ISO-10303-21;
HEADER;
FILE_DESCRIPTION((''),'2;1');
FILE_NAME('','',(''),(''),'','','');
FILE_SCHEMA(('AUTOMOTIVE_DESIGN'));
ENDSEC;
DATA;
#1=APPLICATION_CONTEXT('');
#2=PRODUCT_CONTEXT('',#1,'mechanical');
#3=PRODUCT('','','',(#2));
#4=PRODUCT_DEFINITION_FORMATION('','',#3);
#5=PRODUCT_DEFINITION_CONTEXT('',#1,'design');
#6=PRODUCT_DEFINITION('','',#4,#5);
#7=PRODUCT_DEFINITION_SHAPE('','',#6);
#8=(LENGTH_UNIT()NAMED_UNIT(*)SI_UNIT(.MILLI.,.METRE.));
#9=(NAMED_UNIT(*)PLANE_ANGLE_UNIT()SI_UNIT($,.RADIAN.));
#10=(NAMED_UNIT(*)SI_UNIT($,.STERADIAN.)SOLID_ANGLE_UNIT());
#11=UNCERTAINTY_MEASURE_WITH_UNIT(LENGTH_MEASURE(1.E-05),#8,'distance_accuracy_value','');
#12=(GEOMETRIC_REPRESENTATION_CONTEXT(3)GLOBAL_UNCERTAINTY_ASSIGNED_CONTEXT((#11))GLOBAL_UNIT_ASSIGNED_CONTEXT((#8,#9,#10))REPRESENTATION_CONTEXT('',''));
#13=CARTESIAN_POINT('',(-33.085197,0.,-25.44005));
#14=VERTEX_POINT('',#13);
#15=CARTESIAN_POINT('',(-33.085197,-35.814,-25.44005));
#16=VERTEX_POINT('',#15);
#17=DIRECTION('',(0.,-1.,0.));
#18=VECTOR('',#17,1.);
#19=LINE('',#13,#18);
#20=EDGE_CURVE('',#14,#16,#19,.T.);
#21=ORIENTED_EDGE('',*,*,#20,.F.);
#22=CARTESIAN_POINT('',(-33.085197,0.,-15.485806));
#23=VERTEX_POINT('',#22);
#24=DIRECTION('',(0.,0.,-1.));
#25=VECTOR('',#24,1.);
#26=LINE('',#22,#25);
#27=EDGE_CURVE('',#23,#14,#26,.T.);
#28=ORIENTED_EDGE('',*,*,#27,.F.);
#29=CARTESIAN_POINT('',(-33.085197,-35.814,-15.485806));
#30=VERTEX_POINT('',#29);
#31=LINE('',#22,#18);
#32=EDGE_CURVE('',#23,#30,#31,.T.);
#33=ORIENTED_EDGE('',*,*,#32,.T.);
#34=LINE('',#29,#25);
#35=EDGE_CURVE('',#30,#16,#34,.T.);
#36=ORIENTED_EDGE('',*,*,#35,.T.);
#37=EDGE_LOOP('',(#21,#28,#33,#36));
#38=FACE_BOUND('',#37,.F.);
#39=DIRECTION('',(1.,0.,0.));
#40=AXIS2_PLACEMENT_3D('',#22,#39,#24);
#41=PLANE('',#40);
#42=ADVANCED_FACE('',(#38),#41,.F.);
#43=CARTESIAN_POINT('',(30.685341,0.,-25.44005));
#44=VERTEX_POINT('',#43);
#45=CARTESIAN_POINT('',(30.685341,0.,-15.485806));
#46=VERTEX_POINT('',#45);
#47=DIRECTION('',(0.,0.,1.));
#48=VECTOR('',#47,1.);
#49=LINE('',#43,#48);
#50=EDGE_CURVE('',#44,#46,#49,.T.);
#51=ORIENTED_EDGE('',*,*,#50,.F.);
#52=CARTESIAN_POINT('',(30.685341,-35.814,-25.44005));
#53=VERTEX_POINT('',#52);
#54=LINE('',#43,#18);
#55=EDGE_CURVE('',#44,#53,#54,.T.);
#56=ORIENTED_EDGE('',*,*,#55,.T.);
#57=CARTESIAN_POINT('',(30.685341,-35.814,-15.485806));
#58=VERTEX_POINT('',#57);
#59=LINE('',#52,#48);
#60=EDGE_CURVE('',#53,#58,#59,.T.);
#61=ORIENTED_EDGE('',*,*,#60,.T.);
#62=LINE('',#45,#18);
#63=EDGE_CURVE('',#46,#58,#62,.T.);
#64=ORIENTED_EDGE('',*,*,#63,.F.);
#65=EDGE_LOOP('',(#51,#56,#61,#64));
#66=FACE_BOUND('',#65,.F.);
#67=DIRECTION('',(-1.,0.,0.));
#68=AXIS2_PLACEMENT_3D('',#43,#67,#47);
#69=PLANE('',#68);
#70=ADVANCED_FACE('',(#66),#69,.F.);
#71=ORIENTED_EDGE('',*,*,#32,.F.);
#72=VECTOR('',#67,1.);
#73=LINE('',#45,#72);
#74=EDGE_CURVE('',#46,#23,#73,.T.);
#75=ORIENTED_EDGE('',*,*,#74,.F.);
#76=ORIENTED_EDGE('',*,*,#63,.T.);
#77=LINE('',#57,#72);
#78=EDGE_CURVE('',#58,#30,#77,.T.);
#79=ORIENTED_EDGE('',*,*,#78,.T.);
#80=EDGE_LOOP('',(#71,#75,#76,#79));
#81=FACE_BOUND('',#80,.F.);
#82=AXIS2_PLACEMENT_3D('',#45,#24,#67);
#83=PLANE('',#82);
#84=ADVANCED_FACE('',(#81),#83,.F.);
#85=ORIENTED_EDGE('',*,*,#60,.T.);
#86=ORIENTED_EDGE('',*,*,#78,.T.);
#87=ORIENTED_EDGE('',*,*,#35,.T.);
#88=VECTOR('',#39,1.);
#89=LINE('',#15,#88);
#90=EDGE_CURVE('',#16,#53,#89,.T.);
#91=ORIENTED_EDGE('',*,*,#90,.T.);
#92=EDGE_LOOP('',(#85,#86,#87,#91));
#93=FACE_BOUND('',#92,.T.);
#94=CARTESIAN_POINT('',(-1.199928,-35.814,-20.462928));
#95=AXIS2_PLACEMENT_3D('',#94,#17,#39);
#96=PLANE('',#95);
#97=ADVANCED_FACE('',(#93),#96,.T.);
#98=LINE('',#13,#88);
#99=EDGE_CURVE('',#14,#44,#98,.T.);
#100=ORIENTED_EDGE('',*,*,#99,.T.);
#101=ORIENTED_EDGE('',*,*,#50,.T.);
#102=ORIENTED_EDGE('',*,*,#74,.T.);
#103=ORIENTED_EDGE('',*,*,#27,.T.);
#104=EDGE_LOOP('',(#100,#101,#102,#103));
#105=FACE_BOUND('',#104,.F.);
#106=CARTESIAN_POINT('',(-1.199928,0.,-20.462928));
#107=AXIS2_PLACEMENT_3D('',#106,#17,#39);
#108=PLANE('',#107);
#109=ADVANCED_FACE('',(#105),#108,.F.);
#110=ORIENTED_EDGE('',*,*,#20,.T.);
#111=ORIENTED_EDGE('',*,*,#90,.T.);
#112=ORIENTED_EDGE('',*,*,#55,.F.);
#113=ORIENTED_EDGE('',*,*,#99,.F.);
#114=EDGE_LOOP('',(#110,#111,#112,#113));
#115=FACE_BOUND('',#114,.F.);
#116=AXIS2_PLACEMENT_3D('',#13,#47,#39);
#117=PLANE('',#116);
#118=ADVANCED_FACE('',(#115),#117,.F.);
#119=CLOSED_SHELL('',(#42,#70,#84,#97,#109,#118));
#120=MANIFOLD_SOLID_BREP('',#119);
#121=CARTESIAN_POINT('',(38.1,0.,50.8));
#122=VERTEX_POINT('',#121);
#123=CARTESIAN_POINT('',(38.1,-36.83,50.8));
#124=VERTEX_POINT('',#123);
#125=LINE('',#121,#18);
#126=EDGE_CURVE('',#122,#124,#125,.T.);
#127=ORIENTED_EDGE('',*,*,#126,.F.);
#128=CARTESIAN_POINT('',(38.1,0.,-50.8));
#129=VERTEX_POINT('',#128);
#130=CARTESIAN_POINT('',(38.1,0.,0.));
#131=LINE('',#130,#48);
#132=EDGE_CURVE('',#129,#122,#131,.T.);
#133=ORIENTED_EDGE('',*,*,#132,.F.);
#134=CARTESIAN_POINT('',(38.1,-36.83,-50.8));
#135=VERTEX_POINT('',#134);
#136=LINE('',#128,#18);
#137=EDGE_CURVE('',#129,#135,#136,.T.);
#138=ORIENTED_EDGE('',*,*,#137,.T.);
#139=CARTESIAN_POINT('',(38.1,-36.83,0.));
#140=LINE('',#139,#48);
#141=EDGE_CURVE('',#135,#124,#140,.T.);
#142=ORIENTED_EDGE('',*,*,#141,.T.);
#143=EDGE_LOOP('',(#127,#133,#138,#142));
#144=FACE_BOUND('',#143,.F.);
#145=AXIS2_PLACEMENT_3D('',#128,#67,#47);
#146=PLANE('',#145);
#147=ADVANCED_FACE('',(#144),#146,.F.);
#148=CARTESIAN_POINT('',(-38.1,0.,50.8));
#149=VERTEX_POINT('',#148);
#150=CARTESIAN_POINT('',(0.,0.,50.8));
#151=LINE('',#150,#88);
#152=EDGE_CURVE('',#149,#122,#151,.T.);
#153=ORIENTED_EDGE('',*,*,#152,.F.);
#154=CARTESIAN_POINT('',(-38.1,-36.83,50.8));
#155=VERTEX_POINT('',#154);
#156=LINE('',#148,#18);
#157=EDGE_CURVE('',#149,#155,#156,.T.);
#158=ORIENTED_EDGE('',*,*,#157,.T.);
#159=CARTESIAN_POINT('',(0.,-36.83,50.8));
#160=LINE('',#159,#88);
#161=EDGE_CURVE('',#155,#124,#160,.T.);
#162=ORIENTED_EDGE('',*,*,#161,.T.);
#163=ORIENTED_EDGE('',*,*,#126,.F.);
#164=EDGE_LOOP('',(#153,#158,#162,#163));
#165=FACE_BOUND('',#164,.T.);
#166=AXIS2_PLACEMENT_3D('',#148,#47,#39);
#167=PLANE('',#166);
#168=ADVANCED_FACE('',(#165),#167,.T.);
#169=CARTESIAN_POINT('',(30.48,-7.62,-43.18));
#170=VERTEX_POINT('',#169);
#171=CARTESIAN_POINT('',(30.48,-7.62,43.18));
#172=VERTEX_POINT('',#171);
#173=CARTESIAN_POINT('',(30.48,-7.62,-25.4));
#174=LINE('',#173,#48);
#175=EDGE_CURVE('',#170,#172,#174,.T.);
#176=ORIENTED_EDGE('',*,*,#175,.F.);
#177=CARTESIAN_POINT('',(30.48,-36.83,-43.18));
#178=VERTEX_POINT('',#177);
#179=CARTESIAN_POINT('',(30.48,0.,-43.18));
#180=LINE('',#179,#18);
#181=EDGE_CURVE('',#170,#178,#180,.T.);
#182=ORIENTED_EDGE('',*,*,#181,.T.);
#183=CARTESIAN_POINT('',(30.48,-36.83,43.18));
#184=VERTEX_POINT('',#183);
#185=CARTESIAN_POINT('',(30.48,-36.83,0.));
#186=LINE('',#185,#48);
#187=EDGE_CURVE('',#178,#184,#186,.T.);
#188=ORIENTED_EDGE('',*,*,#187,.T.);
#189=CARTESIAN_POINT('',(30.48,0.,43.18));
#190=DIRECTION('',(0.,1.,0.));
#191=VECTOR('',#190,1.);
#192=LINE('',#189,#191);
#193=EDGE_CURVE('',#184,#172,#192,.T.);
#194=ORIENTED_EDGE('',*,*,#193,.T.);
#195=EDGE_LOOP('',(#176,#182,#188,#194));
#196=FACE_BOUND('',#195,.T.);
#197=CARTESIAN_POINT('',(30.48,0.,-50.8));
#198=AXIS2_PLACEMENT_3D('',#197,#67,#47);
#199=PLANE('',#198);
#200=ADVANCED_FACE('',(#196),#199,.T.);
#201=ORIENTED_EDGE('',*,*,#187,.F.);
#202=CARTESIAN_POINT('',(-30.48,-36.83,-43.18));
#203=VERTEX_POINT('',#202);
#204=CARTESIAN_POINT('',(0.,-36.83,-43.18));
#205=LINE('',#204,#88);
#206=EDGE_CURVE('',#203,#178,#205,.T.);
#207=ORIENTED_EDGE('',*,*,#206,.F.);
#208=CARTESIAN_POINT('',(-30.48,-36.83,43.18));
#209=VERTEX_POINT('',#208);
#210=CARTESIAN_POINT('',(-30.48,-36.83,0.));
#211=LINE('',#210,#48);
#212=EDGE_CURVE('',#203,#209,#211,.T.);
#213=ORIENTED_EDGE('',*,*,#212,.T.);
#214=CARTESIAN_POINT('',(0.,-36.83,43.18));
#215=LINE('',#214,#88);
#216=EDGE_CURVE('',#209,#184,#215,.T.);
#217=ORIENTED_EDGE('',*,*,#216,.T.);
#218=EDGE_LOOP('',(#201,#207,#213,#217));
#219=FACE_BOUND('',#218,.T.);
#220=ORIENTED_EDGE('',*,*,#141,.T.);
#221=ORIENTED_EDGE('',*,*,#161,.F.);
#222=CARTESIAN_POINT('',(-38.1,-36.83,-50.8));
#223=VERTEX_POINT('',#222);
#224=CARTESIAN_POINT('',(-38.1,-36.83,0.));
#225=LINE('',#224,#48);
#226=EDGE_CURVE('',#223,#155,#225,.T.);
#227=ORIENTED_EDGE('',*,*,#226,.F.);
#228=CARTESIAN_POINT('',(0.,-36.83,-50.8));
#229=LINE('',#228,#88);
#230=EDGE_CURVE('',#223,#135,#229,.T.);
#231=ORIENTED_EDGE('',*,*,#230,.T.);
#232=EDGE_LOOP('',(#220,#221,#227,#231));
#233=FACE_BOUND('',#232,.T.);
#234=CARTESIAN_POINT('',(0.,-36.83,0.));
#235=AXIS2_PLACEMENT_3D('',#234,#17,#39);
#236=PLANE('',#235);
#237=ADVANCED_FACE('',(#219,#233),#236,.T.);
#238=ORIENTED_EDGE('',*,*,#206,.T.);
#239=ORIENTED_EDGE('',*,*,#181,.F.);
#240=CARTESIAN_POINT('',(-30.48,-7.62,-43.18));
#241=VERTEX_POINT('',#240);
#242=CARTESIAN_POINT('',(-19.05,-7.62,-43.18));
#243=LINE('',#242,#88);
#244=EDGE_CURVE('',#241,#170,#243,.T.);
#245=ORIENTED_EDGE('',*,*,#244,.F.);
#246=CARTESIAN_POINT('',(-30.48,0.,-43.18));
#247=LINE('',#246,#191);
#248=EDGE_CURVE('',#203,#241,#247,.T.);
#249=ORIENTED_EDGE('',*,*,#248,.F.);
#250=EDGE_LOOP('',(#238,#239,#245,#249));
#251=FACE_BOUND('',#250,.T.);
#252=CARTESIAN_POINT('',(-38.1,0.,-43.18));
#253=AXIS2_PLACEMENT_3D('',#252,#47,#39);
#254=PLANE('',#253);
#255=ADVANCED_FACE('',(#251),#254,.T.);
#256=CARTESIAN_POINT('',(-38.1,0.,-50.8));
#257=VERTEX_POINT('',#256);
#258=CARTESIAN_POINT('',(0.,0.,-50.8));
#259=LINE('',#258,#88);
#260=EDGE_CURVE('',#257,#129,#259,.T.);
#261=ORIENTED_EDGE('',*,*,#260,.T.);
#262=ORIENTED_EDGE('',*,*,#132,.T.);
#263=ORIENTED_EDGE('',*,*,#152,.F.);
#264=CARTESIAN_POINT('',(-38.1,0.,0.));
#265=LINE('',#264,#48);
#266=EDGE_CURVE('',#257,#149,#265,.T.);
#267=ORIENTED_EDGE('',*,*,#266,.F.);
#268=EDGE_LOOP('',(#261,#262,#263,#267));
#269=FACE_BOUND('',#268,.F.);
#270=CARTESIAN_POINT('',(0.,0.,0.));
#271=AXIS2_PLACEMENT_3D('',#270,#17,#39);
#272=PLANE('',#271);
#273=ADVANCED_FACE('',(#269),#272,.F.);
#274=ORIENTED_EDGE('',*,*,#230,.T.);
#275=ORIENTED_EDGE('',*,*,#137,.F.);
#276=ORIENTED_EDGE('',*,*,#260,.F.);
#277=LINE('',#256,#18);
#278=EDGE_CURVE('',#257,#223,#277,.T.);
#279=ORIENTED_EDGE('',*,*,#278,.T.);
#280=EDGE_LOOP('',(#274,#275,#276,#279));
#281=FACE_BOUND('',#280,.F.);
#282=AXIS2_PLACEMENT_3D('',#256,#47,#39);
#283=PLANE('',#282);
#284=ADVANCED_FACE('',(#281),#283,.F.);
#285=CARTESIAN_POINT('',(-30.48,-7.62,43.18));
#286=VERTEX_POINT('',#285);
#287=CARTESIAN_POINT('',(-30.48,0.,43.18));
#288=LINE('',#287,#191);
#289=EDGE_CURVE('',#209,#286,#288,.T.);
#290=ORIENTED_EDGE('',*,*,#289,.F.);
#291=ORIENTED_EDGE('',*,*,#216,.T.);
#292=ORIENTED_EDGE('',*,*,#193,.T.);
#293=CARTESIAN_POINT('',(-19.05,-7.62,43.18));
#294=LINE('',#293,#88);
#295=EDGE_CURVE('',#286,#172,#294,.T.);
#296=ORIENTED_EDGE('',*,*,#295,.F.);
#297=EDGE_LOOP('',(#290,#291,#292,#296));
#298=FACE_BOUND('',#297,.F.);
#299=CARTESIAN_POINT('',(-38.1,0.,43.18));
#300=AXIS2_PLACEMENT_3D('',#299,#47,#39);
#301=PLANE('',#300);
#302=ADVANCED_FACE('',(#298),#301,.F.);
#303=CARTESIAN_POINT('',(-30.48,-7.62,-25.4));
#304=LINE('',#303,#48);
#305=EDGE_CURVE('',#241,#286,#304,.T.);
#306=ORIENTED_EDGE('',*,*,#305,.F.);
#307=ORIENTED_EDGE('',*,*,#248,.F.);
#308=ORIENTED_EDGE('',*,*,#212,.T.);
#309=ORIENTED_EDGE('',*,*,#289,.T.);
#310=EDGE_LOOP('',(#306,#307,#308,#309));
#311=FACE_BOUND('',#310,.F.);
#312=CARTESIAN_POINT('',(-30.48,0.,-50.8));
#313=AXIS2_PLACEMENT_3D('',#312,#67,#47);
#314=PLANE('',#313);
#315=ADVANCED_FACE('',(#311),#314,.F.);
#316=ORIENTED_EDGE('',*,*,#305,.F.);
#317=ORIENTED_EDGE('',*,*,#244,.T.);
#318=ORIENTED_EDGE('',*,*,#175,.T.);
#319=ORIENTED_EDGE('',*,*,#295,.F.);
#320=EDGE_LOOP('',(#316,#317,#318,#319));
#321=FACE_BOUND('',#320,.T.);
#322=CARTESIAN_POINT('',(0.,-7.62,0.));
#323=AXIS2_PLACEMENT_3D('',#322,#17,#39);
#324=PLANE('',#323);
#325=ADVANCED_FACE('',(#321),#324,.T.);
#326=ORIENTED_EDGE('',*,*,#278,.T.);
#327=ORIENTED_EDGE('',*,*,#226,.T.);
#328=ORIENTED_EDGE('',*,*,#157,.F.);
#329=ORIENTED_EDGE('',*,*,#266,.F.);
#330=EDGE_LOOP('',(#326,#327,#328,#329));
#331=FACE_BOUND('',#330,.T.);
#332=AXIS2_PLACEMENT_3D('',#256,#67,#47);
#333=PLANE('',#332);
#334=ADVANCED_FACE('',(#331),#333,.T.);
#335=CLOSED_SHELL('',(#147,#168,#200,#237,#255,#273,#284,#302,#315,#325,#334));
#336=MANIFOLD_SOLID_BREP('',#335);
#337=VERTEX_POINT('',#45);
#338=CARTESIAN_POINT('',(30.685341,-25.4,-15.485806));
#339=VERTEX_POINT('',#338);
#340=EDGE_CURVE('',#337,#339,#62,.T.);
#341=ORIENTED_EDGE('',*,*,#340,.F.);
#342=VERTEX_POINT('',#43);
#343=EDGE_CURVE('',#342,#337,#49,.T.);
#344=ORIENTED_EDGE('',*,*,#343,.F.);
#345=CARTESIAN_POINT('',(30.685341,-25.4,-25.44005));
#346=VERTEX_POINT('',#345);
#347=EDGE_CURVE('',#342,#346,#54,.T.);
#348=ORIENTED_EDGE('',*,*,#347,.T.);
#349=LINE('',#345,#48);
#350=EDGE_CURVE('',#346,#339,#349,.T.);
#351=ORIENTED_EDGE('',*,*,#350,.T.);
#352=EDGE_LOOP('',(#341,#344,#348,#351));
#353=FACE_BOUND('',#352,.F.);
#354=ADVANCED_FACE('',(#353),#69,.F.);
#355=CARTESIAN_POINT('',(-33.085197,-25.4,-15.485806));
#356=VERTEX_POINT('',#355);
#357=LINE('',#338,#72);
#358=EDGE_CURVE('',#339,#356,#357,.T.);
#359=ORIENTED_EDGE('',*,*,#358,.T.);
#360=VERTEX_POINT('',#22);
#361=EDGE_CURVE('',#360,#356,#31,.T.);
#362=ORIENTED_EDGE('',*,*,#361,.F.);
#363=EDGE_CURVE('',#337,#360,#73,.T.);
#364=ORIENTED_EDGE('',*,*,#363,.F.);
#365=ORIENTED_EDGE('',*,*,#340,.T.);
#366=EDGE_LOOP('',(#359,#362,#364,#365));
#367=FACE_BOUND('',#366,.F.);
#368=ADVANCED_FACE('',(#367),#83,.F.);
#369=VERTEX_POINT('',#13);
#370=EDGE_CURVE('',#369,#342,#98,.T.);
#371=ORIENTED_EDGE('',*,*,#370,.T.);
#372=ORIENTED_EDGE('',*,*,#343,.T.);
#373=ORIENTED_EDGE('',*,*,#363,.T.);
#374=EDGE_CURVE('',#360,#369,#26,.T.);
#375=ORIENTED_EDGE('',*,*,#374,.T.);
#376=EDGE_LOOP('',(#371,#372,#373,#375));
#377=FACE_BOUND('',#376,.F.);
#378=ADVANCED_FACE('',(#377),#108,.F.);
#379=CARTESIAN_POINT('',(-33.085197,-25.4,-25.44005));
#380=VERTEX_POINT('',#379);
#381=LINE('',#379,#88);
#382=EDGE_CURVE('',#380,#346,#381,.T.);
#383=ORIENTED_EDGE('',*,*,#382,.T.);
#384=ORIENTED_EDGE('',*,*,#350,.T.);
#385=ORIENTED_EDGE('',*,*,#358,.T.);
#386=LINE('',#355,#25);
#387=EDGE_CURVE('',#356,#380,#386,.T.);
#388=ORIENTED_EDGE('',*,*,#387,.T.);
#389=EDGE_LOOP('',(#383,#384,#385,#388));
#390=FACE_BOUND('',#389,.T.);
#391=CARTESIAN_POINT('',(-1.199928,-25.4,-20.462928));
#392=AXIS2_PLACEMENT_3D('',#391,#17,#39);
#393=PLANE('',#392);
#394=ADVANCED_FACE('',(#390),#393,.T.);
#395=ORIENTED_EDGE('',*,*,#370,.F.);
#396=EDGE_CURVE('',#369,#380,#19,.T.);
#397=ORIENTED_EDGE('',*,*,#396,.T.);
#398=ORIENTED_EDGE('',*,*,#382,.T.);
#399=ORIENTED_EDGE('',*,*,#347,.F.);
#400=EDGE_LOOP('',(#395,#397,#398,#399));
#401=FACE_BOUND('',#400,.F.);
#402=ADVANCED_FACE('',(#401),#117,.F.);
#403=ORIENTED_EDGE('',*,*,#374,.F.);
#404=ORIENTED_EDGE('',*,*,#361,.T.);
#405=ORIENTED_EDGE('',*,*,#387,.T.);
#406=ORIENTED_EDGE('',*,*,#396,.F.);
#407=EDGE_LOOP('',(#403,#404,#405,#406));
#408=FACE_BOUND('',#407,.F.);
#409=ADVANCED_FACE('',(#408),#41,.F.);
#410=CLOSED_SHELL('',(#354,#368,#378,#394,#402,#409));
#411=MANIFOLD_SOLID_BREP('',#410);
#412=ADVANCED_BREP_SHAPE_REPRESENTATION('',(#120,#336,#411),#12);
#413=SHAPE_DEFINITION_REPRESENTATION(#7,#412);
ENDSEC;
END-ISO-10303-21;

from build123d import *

# Parameters (mm, degrees)
F0_W     = 76.2
F0_H     = 101.6
F1_DEPTH = 36.83
F2_T     = -7.62
F4_DEPTH = 25.4
F5_DEPTH = 35.814


with BuildPart() as f1:
    # F0 (on Front) → F1 (new body)
    with BuildSketch(Plane.XZ):
        Rectangle(F0_W, F0_H)
    extrude(amount=F1_DEPTH)

    # F2
    f2_openings = [f1.faces().sort_by_distance(p)[0] for p in [
        (0, -36.83, 0),
    ]]
    offset(amount=F2_T, openings=f2_openings)


with BuildPart() as f4:
    # F3 (on Front) → F4 (new body)
    with BuildSketch(Plane.XZ):
        Polygon((30.685341, -15.485806), (-30.602904, -15.485806), (-33.085197, -15.485806), (-33.085197, -25.44005), (30.685341, -25.44005), align=None)
    extrude(amount=F4_DEPTH)


with BuildPart() as f5:
    # F3 (on Front) → F5 (new body)
    with BuildSketch(Plane.XZ):
        Polygon((30.685341, -15.485806), (-30.602904, -15.485806), (-33.085197, -15.485806), (-33.085197, -25.44005), (30.685341, -25.44005), align=None)
    extrude(amount=F5_DEPTH)


solid = Compound([f1.part, f4.part, f5.part])
